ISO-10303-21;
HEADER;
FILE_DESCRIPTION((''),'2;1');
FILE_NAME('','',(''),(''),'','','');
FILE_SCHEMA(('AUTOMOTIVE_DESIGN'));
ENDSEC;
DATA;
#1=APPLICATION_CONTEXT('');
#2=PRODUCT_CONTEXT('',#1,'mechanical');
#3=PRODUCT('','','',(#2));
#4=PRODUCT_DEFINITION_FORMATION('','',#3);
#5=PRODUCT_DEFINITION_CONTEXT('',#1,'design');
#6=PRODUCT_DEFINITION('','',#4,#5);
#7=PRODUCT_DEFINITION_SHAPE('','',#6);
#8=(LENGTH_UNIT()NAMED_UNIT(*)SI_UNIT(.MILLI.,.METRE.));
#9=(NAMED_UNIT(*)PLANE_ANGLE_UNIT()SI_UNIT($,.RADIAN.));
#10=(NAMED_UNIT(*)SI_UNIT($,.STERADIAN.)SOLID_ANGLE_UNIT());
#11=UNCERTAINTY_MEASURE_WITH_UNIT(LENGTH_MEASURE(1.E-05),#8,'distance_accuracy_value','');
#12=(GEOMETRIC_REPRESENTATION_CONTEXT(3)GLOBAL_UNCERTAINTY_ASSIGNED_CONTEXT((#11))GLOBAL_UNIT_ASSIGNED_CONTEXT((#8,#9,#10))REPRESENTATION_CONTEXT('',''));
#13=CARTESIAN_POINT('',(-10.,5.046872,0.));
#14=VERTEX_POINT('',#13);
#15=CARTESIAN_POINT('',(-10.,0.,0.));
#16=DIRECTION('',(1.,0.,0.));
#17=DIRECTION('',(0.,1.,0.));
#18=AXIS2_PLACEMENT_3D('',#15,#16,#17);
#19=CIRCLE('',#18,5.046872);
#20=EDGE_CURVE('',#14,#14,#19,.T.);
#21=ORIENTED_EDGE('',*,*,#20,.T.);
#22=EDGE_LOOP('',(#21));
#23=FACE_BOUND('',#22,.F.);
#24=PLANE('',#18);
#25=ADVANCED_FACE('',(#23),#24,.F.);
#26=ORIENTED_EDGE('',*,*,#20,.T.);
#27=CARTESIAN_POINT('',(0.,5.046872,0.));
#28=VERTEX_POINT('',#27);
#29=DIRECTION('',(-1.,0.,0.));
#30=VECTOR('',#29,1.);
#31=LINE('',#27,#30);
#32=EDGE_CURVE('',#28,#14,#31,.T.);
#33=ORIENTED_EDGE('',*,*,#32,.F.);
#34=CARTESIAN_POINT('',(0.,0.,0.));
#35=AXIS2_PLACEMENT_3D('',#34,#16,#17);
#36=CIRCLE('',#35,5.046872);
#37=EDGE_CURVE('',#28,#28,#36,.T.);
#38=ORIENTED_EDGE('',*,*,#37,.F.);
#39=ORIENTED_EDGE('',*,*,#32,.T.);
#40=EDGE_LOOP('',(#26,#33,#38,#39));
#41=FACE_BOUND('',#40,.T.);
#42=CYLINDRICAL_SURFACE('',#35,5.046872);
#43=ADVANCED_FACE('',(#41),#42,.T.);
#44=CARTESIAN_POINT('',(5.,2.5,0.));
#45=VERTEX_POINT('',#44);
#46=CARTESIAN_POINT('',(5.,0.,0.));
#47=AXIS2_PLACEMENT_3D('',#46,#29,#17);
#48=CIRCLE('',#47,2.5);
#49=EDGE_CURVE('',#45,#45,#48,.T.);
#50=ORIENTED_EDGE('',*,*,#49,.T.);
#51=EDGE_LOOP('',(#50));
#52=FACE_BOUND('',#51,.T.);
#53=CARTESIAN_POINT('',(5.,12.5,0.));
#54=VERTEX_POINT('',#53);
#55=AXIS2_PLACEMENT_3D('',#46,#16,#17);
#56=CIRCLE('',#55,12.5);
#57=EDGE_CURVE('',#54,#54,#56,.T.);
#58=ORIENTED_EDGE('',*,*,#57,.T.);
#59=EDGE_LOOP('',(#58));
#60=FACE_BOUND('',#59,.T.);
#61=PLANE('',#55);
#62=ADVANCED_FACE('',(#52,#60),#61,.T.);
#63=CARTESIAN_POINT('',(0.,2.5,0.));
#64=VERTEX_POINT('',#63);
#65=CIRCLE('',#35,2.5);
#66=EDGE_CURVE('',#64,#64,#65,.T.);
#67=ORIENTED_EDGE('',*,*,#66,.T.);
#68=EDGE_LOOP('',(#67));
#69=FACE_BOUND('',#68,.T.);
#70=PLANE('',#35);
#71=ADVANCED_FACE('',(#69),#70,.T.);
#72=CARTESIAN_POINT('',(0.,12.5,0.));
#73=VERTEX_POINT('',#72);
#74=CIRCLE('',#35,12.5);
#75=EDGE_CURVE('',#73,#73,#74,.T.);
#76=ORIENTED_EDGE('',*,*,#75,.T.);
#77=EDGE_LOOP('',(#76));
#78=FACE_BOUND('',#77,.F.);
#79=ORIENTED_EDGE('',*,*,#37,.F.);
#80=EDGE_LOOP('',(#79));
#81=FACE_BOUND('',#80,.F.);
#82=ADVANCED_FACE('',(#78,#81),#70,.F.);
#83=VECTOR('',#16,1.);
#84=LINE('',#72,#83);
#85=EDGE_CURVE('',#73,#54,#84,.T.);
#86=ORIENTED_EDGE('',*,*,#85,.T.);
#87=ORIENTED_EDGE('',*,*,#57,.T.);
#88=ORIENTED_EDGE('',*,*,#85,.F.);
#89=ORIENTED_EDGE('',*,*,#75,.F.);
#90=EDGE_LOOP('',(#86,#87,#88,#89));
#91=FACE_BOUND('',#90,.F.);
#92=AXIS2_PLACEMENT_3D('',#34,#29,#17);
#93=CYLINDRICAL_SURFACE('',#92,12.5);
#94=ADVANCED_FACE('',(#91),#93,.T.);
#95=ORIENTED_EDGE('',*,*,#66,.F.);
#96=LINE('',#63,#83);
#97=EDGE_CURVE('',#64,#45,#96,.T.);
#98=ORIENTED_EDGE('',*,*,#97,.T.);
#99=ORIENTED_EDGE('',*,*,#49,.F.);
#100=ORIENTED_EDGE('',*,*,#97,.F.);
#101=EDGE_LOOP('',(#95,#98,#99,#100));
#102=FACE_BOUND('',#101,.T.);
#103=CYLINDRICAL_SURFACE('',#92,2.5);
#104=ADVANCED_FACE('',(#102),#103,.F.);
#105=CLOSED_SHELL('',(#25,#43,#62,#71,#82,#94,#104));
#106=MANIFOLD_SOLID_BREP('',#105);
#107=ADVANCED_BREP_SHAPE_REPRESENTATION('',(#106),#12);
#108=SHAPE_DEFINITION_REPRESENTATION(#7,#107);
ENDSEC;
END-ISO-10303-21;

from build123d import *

# Parameters (mm, degrees)
F0_R     = 12.5
F3_DEPTH = 5
F1_R     = 2.5
F4_DEPTH = 10
F2_R     = 2.5
F6_DEPTH = 3
F7_R     = 5.046872
F8_DEPTH = 10


with BuildPart() as f3:
    # F0 (on Right) → F3 (new body)
    with BuildSketch(Plane.YZ):
        Circle(F0_R)
    extrude(amount=F3_DEPTH)

    # F1 (on Right) → F4 (cut)
    with BuildSketch(Plane.YZ):
        Circle(F1_R)
    extrude(amount=F4_DEPTH, mode=Mode.SUBTRACT)

    # F2 (on Right) → F6 (cut)
    with BuildSketch(Plane.YZ):
        Circle(F2_R)
    extrude(amount=F6_DEPTH, mode=Mode.SUBTRACT)

    # F7 (on face) → F8 (join)
    with BuildSketch(Plane.YZ):
        Circle(F7_R)
    extrude(amount=-F8_DEPTH)


solid = f3.part
